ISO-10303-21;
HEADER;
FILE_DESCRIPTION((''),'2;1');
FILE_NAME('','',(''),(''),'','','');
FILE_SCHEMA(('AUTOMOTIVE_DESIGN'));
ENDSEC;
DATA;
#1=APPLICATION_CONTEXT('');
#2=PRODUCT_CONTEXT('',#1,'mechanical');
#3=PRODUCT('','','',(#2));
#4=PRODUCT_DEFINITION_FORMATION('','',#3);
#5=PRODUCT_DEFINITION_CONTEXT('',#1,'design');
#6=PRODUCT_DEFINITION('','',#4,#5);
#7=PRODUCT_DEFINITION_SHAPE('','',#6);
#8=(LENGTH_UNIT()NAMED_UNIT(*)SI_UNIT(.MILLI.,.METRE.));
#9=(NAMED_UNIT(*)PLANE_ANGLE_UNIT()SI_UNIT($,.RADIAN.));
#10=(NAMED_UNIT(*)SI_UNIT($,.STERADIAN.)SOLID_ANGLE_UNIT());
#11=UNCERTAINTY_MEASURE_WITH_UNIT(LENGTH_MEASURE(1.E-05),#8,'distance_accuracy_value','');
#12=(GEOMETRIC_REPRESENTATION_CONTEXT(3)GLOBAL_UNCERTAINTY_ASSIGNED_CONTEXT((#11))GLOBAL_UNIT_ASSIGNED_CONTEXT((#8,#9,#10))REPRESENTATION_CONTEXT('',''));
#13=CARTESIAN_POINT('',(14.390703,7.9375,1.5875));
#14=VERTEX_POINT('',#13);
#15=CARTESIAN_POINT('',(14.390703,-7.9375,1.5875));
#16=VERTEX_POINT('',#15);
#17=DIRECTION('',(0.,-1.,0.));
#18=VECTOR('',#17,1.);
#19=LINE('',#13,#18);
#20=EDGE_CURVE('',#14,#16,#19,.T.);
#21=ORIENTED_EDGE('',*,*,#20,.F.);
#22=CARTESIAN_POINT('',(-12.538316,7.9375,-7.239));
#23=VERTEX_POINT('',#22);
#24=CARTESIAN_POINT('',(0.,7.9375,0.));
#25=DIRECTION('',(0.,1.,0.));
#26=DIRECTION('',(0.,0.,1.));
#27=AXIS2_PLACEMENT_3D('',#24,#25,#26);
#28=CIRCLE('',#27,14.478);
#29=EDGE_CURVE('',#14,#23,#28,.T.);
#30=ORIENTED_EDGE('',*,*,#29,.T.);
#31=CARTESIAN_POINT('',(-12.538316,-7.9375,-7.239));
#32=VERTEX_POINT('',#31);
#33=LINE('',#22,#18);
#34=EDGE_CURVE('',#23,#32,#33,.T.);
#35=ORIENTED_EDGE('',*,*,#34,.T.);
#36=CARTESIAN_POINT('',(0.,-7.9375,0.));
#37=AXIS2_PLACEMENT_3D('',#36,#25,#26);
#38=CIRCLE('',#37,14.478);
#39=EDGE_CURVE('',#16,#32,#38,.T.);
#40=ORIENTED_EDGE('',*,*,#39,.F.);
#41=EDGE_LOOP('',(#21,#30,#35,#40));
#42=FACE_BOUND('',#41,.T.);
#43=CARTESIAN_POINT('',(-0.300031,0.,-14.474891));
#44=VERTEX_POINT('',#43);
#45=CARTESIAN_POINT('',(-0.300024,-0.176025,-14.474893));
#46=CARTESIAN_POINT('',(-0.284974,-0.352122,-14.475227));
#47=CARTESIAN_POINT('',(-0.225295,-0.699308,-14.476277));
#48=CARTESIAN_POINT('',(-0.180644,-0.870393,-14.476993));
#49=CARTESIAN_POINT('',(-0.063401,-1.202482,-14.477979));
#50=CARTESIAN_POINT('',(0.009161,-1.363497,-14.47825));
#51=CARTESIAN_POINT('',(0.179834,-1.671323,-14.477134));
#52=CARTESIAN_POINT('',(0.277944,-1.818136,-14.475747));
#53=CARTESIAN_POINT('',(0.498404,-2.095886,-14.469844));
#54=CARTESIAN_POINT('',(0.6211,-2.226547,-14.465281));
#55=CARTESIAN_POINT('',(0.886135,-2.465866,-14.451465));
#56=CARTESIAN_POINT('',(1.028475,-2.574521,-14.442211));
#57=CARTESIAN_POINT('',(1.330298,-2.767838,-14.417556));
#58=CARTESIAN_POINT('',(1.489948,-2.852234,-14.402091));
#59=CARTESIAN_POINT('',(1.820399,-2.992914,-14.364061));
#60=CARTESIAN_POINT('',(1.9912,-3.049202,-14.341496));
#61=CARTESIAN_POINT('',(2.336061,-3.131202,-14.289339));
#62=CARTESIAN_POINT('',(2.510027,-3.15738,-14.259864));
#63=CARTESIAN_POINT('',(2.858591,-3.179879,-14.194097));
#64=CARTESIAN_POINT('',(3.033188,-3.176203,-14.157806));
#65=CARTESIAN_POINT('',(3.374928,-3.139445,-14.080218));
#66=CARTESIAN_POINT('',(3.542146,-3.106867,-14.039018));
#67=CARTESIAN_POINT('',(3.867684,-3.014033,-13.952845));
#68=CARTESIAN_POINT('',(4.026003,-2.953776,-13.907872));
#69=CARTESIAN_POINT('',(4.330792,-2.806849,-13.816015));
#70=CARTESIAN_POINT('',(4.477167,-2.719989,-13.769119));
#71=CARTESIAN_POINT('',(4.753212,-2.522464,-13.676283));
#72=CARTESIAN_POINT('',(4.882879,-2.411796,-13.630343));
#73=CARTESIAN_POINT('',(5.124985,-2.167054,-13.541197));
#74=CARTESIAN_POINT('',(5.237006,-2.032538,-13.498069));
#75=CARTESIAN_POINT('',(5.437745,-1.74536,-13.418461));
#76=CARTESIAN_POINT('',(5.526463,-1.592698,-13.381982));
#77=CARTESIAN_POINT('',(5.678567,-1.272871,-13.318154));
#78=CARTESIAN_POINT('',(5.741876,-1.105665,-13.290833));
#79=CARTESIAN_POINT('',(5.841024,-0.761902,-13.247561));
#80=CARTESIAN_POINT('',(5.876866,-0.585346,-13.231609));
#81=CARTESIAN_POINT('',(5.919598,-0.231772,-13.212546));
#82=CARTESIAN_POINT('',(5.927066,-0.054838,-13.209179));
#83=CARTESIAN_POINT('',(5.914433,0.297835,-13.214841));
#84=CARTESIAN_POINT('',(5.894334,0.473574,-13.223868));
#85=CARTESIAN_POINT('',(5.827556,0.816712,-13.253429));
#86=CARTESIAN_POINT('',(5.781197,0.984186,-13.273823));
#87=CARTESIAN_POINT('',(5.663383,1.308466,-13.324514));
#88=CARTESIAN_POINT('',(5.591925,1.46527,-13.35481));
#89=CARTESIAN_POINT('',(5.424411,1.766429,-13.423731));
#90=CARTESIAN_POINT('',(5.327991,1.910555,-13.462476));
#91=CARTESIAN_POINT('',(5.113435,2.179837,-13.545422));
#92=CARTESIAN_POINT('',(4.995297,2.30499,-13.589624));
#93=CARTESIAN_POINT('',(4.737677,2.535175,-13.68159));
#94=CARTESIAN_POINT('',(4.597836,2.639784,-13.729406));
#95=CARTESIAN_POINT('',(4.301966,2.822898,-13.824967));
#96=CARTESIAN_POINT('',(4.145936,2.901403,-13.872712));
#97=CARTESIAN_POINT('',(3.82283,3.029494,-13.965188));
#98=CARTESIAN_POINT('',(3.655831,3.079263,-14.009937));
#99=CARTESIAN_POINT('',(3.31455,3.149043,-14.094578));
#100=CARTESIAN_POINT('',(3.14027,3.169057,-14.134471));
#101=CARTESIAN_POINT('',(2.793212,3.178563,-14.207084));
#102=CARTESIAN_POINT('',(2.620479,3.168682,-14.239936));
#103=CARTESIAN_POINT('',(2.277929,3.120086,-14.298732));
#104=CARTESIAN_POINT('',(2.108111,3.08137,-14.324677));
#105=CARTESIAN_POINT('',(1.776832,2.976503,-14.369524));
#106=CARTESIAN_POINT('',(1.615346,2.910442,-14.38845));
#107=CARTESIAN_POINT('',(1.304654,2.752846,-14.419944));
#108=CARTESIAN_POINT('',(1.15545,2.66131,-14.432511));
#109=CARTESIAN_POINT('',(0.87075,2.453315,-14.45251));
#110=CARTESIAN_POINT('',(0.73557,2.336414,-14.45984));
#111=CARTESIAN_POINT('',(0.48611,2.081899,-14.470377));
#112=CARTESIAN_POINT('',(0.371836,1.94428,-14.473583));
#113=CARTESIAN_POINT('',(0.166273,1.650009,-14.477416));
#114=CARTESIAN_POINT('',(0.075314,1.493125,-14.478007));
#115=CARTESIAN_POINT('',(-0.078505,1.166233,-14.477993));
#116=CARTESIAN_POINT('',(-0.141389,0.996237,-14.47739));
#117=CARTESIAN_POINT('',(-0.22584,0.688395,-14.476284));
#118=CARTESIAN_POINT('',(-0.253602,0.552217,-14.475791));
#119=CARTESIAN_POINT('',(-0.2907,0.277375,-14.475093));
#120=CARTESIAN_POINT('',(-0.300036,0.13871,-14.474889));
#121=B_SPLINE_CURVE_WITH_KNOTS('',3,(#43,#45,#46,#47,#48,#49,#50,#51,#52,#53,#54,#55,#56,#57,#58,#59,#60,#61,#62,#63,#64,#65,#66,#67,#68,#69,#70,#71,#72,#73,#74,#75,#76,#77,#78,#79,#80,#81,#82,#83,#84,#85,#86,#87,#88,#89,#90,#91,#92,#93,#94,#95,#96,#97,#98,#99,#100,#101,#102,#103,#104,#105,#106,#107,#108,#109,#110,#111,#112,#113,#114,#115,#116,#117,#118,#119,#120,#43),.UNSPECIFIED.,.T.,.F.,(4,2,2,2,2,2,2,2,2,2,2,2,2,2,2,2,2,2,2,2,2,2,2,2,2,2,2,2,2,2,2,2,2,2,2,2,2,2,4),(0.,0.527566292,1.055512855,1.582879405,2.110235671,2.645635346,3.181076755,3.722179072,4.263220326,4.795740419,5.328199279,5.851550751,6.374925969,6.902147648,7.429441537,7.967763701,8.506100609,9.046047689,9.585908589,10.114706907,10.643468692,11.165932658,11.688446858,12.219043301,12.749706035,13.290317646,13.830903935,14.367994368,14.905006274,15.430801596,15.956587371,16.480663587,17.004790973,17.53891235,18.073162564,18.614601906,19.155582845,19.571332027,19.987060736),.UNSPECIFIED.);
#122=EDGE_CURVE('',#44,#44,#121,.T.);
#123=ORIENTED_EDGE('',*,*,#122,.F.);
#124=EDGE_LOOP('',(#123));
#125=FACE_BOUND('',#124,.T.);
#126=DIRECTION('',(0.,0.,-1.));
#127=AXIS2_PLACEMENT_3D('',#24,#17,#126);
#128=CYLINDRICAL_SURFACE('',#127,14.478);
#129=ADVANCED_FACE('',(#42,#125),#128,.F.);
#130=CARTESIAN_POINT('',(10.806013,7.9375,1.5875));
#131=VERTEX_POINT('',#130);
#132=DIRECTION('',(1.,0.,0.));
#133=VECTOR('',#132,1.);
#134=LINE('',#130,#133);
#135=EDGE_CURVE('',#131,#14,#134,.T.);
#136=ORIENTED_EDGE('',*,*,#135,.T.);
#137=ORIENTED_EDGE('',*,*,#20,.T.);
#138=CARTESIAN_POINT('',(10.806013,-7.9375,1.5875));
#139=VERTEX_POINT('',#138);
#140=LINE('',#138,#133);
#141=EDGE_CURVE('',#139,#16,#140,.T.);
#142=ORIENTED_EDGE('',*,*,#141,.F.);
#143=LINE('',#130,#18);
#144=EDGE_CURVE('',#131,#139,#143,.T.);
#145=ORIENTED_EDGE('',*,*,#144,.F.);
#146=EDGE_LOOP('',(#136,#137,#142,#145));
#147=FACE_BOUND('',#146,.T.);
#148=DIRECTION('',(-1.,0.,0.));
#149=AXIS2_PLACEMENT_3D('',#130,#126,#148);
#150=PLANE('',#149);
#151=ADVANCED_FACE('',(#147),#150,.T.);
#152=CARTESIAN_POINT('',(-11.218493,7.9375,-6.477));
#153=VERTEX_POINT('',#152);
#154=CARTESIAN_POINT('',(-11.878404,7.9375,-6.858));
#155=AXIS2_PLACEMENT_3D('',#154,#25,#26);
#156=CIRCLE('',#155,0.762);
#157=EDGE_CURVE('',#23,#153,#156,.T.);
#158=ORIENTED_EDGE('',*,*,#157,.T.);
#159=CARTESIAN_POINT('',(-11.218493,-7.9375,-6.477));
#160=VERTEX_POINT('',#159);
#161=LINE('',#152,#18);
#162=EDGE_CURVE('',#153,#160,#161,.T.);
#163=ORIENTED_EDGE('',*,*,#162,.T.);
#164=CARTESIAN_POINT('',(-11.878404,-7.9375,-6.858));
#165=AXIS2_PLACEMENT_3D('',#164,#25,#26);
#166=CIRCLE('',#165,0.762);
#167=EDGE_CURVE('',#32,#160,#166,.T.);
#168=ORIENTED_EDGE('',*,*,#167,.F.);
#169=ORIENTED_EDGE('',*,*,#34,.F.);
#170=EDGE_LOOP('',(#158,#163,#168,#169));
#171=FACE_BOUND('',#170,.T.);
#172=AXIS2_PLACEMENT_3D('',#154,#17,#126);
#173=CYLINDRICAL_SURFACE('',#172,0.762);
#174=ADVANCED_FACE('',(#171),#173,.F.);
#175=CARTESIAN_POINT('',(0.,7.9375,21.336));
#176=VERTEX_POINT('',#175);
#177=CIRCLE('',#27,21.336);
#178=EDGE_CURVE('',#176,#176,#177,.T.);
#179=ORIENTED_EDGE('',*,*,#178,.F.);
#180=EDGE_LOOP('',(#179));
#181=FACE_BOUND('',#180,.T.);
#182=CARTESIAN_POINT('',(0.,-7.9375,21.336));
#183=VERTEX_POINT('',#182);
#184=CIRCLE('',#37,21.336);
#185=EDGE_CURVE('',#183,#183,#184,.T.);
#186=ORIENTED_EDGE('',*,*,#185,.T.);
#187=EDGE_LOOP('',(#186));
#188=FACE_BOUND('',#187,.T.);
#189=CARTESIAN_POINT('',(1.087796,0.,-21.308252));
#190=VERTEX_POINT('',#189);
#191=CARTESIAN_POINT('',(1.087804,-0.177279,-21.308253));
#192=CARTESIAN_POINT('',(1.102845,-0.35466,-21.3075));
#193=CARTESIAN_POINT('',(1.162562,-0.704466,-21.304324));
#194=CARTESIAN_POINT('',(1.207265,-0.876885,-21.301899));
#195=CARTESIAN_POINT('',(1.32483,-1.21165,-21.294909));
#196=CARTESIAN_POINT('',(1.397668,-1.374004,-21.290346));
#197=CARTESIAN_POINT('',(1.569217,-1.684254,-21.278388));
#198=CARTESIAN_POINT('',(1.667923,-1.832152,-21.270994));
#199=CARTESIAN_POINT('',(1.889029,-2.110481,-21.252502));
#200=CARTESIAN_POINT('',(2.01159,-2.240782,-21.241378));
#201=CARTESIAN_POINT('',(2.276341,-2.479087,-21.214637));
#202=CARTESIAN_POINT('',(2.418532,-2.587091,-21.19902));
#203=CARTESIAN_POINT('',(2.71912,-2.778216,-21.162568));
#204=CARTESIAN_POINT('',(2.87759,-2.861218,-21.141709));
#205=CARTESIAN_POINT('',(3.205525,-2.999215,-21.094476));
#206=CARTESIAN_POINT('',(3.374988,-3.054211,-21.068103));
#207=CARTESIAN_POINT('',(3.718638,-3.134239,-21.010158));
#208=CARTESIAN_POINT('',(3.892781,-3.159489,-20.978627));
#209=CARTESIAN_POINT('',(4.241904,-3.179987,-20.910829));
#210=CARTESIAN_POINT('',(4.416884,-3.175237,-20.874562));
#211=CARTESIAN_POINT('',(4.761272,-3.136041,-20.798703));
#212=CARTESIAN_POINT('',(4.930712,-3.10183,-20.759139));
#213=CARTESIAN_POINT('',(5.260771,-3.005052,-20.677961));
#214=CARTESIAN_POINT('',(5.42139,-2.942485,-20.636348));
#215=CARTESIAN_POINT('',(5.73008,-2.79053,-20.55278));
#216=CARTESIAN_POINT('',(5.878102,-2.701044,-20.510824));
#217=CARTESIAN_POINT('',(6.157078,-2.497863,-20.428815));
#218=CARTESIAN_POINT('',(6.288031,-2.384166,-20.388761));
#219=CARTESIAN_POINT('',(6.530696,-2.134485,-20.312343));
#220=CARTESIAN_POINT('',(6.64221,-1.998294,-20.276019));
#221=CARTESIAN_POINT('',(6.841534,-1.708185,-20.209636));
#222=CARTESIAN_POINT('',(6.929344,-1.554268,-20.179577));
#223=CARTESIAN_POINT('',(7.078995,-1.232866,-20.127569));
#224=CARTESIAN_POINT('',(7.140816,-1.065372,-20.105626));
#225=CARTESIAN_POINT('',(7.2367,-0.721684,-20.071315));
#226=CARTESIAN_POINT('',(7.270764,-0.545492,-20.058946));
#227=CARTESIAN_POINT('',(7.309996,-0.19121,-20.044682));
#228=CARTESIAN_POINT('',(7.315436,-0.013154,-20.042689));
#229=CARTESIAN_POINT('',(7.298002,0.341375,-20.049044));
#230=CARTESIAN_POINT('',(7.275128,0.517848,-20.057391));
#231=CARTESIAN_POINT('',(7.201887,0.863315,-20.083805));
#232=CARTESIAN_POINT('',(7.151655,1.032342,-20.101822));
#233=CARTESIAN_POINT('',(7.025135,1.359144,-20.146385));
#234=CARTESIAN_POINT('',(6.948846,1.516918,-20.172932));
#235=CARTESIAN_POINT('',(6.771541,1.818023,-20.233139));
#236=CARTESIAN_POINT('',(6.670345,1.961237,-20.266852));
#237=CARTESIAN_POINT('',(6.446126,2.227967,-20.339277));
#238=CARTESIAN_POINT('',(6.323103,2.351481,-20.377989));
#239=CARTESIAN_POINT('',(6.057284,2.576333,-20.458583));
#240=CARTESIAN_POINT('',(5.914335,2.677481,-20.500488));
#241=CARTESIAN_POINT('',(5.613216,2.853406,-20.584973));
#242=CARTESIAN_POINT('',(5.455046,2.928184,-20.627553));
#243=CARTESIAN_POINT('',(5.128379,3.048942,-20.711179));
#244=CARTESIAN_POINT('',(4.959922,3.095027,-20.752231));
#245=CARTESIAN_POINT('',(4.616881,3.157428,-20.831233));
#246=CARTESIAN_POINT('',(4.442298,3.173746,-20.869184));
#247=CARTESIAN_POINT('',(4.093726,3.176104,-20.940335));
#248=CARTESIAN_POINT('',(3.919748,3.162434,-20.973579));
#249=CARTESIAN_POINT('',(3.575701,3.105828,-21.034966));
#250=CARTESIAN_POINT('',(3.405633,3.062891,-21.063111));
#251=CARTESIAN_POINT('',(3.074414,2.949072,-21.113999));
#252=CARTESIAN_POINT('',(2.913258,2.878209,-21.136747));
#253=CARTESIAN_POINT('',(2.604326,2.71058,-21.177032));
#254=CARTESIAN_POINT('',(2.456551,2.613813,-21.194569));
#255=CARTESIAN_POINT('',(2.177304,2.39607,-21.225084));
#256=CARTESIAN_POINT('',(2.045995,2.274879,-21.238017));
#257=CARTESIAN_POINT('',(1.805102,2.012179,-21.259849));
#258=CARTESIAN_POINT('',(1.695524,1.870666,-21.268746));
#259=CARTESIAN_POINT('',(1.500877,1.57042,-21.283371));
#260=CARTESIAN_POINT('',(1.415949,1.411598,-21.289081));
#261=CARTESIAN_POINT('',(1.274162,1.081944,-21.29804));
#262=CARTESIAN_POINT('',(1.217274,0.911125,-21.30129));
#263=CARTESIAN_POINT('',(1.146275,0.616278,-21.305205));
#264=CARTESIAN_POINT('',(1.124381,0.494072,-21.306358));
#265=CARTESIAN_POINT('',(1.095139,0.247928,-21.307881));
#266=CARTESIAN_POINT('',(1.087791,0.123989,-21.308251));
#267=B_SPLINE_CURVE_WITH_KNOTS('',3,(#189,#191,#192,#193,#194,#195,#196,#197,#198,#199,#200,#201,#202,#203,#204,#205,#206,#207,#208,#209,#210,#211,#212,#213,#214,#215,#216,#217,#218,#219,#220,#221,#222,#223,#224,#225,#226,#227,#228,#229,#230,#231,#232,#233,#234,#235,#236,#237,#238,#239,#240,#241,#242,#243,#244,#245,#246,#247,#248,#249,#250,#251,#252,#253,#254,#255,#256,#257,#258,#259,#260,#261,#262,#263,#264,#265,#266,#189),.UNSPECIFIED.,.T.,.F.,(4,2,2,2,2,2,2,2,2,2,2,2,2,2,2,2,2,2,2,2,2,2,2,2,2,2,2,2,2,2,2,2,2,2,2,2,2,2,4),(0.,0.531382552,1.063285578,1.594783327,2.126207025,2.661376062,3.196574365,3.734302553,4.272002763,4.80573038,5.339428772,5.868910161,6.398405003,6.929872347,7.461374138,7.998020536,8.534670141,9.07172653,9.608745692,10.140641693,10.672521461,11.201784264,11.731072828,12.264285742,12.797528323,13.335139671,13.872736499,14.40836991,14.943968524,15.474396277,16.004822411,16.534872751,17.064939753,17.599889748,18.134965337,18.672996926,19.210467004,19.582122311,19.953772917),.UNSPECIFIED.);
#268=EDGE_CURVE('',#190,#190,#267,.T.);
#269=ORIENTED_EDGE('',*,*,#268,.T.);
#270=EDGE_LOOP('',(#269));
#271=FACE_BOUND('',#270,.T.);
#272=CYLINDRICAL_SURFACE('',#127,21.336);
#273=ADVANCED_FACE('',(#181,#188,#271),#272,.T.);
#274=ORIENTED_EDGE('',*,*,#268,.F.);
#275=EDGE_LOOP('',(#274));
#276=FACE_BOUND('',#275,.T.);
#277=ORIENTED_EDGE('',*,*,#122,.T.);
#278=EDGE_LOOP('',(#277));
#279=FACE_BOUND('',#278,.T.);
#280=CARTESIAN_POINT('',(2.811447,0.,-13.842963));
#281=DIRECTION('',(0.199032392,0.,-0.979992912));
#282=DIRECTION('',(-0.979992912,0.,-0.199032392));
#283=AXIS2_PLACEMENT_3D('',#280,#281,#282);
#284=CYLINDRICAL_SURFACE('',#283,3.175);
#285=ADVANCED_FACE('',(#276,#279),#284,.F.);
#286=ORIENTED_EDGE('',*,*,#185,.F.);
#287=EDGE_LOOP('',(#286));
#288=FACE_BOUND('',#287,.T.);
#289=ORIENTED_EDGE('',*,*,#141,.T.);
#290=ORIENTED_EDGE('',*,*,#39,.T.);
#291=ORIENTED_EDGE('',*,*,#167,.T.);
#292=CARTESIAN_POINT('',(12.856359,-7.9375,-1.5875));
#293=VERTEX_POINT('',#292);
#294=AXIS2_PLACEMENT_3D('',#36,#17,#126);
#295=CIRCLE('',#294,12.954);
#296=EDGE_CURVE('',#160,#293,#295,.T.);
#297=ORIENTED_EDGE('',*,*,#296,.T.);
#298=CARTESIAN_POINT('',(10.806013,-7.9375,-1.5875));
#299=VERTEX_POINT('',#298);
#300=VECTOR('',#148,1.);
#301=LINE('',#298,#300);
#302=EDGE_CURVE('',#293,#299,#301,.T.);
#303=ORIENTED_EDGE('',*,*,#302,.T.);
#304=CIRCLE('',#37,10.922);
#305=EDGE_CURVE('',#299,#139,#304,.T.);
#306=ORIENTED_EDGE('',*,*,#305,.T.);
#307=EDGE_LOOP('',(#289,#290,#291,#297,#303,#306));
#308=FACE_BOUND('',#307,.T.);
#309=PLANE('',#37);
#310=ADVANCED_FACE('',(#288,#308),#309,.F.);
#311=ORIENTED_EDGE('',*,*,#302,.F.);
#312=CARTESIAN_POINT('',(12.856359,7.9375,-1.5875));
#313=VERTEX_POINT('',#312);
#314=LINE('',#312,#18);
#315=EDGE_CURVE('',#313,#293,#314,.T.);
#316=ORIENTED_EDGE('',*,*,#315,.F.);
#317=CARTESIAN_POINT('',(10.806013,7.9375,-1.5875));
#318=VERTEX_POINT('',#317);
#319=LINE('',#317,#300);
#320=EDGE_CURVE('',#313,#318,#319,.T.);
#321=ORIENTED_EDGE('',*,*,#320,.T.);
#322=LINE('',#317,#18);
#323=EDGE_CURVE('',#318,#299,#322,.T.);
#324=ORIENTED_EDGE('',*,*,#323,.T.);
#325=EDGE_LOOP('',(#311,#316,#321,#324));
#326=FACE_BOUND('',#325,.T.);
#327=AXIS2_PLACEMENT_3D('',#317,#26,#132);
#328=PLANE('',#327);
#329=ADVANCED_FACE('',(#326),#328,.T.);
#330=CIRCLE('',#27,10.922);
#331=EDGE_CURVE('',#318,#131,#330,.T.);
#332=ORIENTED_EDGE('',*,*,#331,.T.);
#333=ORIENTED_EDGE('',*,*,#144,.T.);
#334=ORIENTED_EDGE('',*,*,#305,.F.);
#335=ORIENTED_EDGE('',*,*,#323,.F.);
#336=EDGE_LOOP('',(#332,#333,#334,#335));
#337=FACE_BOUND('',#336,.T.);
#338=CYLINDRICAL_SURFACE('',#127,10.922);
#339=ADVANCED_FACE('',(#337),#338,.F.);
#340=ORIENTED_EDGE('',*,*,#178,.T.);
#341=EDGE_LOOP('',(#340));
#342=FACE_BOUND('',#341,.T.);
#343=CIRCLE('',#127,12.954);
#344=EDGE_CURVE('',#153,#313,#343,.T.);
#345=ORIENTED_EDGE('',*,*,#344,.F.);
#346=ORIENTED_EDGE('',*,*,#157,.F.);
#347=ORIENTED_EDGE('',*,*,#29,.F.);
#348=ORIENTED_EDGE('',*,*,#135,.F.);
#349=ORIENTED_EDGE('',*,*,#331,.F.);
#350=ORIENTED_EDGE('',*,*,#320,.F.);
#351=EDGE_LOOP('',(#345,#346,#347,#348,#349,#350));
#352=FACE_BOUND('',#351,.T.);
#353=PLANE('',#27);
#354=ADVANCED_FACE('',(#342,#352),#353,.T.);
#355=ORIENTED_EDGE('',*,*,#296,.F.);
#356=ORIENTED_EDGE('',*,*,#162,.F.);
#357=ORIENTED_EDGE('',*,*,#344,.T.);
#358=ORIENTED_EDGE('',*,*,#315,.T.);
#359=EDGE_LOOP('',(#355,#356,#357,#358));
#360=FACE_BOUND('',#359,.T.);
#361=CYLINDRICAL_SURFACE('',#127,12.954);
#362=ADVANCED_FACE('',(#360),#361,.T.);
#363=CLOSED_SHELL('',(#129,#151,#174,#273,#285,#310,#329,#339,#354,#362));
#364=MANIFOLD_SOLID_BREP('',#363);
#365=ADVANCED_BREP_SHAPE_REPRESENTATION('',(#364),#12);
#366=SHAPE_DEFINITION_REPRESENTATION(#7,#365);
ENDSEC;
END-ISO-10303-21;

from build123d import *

# Parameters (mm, degrees)
SKETCH1_R           = 21.336
BOSS_EXTRUDE1_DEPTH = 7.9375


with BuildPart() as part:
    # Sketch1 → Boss-Extrude1 (new body, symmetric)
    with BuildSketch(Plane(origin=(0, 0, 0), x_dir=(1, 0, 0), z_dir=(0, 1, 0))):
        Circle(SKETCH1_R)
        with BuildLine():
            Line((10.806013499, 1.5875), (12.856358728, 1.5875))
            ThreePointArc((12.856358728, 1.5875), (2.578265605, 12.694828178), (-11.218493081, 6.477))
            ThreePointArc((-11.218493081, 6.477), (-12.259404438, 6.198088642), (-12.538315796, 7.239))
            ThreePointArc((-12.538315796, 7.239), (4.50939131, 13.757829553), (14.390702823, -1.5875))
            Line((14.390702823, -1.5875), (10.806013499, -1.5875))
            ThreePointArc((10.806013499, -1.5875), (-10.922, 0), (10.806013499, 1.5875))
        make_face(mode=Mode.SUBTRACT)
    extrude(amount=BOSS_EXTRUDE1_DEPTH, both=True)

    # Sketch2 → Cut-Revolve1 (revolve, cut)
    with BuildSketch(Plane(origin=(0, 0, 0), x_dir=(1, 0, 0), z_dir=(0, 1, 0))):
        Polygon((-0.300030586, 14.474890868), (2.811446909, 13.842963024), (4.246555115, 20.909128764), (1.13507762, 21.541056608), align=None)
    revolve(axis=Axis((2.811446909, 0, -13.842963024), (-0.199032392, 0, 0.979992912)), mode=Mode.SUBTRACT)


solid = part.part
